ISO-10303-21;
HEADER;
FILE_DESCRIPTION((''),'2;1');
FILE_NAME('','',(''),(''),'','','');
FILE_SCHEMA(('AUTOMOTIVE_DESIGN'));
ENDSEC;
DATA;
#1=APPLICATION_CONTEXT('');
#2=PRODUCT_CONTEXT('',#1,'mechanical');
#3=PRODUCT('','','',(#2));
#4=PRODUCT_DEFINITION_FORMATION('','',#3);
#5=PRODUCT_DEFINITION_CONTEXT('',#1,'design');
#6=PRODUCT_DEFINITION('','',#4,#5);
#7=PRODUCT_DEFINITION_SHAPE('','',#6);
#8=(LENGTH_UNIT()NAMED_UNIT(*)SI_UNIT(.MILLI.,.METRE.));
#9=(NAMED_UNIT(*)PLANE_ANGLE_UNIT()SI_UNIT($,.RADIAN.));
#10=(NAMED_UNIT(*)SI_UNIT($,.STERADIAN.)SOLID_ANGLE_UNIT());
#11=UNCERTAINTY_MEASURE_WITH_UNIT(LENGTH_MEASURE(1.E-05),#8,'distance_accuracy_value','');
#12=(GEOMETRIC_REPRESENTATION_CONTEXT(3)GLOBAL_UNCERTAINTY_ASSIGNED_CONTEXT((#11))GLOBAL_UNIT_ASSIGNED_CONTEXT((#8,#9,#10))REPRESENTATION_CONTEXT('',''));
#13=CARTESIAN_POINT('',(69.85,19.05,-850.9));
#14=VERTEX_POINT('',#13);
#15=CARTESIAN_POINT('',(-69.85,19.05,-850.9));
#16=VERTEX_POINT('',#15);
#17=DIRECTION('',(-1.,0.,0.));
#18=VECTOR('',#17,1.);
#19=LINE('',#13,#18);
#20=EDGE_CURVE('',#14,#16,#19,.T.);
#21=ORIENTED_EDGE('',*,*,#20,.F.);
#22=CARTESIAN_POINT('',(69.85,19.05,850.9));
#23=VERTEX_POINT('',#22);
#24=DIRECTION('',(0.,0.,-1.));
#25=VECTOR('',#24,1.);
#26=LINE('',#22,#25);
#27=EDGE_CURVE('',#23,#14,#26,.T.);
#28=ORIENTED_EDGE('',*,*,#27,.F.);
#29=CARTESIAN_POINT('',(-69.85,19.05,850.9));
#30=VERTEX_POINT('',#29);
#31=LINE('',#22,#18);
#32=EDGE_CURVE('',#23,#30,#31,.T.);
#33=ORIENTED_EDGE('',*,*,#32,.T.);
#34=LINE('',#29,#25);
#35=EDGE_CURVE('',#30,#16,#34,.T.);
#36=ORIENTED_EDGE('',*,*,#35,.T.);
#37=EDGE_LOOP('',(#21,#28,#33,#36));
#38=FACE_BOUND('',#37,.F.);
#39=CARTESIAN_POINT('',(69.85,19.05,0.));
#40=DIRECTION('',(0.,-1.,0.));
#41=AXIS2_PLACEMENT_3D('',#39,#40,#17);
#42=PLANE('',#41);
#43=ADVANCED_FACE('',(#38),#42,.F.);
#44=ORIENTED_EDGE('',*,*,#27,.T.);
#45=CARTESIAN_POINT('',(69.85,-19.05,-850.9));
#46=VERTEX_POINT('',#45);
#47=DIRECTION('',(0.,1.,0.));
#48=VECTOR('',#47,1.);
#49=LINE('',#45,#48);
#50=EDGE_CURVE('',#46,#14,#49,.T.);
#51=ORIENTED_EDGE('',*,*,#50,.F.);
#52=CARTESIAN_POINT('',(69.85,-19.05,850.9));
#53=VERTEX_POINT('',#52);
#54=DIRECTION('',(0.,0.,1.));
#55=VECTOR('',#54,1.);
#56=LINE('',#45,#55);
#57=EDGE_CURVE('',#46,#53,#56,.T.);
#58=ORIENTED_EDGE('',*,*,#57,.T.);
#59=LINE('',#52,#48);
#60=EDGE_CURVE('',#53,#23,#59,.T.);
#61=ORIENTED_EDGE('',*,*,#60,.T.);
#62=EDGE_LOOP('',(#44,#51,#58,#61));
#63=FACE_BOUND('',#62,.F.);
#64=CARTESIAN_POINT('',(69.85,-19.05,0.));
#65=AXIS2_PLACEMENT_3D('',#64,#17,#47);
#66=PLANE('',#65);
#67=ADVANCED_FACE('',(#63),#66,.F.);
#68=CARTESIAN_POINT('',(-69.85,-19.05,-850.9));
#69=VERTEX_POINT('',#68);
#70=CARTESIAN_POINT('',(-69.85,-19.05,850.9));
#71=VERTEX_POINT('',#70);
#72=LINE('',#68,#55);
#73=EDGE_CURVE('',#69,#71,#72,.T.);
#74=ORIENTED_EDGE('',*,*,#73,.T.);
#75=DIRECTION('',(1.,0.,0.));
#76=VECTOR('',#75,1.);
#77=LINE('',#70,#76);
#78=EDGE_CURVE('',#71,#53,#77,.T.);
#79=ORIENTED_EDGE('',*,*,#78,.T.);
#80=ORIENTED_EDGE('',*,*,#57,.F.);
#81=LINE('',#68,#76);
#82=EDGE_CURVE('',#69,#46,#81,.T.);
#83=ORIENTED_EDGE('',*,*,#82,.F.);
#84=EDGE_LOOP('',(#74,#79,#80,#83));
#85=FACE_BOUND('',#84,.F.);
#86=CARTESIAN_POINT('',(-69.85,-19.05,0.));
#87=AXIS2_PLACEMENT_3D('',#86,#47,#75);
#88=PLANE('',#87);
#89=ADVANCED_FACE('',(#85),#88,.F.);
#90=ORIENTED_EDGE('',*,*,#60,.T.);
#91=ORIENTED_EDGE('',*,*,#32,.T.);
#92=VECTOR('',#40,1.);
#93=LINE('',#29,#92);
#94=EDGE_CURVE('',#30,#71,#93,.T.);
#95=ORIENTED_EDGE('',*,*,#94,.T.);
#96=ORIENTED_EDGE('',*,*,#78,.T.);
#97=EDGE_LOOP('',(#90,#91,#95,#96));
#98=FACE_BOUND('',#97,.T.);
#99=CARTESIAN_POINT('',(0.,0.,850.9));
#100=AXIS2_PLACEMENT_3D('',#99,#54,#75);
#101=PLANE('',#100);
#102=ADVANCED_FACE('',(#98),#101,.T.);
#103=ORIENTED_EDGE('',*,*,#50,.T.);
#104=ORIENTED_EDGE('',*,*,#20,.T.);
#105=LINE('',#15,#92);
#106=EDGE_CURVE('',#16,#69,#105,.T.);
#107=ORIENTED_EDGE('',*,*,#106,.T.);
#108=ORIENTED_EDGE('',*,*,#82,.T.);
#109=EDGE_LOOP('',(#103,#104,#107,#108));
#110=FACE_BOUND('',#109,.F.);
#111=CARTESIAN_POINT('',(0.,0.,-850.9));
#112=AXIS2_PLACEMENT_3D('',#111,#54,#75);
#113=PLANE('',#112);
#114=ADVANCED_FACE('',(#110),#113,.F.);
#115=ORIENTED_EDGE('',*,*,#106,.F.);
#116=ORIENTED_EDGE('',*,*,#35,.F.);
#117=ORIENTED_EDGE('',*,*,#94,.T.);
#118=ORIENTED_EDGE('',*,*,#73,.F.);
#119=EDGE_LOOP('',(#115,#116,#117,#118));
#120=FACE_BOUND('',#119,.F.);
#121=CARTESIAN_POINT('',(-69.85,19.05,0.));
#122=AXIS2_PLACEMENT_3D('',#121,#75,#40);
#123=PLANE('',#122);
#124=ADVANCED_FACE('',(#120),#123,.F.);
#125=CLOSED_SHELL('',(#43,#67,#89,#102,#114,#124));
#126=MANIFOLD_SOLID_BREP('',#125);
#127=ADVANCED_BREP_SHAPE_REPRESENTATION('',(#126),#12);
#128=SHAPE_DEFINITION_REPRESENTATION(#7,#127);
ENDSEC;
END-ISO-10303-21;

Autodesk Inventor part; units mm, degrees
ref_plane "YZ Plane" through (0, 0, 0) normal (1, 0, 0) x (0, 1, 0)
ref_plane "XZ Plane" through (0, 0, 0) normal (0, 1, 0) x (-1, 0, 0)
ref_plane "XY Plane" through (0, 0, 0) normal (0, 0, 1) x (1, 0, 0)
sketch "Sketch1" plane through (0, 0, 0) normal (0, 0, 1) x (1, 0, 0)
  line L0 (-69.85, -19.05) -> (69.85, -19.05)
  line L1 (69.85, -19.05) -> (69.85, 19.05)
  line L2 (69.85, 19.05) -> (-69.85, 19.05)
  line L3 (-69.85, 19.05) -> (-69.85, -19.05)
  line L4 (-69.85, -19.05) -> (69.85, 19.05) construction
  line L5 (69.85, -19.05) -> (-69.85, 19.05) construction
  point P0 (0, 0)
  dimension "d0" = 139.7
  dimension "d1" = 38.1
extrude "Extrusion1" add sketch "Sketch1" along normal mid plane 1701.8
properties part number "2x6x67-board" material "Wood (Birch)"
